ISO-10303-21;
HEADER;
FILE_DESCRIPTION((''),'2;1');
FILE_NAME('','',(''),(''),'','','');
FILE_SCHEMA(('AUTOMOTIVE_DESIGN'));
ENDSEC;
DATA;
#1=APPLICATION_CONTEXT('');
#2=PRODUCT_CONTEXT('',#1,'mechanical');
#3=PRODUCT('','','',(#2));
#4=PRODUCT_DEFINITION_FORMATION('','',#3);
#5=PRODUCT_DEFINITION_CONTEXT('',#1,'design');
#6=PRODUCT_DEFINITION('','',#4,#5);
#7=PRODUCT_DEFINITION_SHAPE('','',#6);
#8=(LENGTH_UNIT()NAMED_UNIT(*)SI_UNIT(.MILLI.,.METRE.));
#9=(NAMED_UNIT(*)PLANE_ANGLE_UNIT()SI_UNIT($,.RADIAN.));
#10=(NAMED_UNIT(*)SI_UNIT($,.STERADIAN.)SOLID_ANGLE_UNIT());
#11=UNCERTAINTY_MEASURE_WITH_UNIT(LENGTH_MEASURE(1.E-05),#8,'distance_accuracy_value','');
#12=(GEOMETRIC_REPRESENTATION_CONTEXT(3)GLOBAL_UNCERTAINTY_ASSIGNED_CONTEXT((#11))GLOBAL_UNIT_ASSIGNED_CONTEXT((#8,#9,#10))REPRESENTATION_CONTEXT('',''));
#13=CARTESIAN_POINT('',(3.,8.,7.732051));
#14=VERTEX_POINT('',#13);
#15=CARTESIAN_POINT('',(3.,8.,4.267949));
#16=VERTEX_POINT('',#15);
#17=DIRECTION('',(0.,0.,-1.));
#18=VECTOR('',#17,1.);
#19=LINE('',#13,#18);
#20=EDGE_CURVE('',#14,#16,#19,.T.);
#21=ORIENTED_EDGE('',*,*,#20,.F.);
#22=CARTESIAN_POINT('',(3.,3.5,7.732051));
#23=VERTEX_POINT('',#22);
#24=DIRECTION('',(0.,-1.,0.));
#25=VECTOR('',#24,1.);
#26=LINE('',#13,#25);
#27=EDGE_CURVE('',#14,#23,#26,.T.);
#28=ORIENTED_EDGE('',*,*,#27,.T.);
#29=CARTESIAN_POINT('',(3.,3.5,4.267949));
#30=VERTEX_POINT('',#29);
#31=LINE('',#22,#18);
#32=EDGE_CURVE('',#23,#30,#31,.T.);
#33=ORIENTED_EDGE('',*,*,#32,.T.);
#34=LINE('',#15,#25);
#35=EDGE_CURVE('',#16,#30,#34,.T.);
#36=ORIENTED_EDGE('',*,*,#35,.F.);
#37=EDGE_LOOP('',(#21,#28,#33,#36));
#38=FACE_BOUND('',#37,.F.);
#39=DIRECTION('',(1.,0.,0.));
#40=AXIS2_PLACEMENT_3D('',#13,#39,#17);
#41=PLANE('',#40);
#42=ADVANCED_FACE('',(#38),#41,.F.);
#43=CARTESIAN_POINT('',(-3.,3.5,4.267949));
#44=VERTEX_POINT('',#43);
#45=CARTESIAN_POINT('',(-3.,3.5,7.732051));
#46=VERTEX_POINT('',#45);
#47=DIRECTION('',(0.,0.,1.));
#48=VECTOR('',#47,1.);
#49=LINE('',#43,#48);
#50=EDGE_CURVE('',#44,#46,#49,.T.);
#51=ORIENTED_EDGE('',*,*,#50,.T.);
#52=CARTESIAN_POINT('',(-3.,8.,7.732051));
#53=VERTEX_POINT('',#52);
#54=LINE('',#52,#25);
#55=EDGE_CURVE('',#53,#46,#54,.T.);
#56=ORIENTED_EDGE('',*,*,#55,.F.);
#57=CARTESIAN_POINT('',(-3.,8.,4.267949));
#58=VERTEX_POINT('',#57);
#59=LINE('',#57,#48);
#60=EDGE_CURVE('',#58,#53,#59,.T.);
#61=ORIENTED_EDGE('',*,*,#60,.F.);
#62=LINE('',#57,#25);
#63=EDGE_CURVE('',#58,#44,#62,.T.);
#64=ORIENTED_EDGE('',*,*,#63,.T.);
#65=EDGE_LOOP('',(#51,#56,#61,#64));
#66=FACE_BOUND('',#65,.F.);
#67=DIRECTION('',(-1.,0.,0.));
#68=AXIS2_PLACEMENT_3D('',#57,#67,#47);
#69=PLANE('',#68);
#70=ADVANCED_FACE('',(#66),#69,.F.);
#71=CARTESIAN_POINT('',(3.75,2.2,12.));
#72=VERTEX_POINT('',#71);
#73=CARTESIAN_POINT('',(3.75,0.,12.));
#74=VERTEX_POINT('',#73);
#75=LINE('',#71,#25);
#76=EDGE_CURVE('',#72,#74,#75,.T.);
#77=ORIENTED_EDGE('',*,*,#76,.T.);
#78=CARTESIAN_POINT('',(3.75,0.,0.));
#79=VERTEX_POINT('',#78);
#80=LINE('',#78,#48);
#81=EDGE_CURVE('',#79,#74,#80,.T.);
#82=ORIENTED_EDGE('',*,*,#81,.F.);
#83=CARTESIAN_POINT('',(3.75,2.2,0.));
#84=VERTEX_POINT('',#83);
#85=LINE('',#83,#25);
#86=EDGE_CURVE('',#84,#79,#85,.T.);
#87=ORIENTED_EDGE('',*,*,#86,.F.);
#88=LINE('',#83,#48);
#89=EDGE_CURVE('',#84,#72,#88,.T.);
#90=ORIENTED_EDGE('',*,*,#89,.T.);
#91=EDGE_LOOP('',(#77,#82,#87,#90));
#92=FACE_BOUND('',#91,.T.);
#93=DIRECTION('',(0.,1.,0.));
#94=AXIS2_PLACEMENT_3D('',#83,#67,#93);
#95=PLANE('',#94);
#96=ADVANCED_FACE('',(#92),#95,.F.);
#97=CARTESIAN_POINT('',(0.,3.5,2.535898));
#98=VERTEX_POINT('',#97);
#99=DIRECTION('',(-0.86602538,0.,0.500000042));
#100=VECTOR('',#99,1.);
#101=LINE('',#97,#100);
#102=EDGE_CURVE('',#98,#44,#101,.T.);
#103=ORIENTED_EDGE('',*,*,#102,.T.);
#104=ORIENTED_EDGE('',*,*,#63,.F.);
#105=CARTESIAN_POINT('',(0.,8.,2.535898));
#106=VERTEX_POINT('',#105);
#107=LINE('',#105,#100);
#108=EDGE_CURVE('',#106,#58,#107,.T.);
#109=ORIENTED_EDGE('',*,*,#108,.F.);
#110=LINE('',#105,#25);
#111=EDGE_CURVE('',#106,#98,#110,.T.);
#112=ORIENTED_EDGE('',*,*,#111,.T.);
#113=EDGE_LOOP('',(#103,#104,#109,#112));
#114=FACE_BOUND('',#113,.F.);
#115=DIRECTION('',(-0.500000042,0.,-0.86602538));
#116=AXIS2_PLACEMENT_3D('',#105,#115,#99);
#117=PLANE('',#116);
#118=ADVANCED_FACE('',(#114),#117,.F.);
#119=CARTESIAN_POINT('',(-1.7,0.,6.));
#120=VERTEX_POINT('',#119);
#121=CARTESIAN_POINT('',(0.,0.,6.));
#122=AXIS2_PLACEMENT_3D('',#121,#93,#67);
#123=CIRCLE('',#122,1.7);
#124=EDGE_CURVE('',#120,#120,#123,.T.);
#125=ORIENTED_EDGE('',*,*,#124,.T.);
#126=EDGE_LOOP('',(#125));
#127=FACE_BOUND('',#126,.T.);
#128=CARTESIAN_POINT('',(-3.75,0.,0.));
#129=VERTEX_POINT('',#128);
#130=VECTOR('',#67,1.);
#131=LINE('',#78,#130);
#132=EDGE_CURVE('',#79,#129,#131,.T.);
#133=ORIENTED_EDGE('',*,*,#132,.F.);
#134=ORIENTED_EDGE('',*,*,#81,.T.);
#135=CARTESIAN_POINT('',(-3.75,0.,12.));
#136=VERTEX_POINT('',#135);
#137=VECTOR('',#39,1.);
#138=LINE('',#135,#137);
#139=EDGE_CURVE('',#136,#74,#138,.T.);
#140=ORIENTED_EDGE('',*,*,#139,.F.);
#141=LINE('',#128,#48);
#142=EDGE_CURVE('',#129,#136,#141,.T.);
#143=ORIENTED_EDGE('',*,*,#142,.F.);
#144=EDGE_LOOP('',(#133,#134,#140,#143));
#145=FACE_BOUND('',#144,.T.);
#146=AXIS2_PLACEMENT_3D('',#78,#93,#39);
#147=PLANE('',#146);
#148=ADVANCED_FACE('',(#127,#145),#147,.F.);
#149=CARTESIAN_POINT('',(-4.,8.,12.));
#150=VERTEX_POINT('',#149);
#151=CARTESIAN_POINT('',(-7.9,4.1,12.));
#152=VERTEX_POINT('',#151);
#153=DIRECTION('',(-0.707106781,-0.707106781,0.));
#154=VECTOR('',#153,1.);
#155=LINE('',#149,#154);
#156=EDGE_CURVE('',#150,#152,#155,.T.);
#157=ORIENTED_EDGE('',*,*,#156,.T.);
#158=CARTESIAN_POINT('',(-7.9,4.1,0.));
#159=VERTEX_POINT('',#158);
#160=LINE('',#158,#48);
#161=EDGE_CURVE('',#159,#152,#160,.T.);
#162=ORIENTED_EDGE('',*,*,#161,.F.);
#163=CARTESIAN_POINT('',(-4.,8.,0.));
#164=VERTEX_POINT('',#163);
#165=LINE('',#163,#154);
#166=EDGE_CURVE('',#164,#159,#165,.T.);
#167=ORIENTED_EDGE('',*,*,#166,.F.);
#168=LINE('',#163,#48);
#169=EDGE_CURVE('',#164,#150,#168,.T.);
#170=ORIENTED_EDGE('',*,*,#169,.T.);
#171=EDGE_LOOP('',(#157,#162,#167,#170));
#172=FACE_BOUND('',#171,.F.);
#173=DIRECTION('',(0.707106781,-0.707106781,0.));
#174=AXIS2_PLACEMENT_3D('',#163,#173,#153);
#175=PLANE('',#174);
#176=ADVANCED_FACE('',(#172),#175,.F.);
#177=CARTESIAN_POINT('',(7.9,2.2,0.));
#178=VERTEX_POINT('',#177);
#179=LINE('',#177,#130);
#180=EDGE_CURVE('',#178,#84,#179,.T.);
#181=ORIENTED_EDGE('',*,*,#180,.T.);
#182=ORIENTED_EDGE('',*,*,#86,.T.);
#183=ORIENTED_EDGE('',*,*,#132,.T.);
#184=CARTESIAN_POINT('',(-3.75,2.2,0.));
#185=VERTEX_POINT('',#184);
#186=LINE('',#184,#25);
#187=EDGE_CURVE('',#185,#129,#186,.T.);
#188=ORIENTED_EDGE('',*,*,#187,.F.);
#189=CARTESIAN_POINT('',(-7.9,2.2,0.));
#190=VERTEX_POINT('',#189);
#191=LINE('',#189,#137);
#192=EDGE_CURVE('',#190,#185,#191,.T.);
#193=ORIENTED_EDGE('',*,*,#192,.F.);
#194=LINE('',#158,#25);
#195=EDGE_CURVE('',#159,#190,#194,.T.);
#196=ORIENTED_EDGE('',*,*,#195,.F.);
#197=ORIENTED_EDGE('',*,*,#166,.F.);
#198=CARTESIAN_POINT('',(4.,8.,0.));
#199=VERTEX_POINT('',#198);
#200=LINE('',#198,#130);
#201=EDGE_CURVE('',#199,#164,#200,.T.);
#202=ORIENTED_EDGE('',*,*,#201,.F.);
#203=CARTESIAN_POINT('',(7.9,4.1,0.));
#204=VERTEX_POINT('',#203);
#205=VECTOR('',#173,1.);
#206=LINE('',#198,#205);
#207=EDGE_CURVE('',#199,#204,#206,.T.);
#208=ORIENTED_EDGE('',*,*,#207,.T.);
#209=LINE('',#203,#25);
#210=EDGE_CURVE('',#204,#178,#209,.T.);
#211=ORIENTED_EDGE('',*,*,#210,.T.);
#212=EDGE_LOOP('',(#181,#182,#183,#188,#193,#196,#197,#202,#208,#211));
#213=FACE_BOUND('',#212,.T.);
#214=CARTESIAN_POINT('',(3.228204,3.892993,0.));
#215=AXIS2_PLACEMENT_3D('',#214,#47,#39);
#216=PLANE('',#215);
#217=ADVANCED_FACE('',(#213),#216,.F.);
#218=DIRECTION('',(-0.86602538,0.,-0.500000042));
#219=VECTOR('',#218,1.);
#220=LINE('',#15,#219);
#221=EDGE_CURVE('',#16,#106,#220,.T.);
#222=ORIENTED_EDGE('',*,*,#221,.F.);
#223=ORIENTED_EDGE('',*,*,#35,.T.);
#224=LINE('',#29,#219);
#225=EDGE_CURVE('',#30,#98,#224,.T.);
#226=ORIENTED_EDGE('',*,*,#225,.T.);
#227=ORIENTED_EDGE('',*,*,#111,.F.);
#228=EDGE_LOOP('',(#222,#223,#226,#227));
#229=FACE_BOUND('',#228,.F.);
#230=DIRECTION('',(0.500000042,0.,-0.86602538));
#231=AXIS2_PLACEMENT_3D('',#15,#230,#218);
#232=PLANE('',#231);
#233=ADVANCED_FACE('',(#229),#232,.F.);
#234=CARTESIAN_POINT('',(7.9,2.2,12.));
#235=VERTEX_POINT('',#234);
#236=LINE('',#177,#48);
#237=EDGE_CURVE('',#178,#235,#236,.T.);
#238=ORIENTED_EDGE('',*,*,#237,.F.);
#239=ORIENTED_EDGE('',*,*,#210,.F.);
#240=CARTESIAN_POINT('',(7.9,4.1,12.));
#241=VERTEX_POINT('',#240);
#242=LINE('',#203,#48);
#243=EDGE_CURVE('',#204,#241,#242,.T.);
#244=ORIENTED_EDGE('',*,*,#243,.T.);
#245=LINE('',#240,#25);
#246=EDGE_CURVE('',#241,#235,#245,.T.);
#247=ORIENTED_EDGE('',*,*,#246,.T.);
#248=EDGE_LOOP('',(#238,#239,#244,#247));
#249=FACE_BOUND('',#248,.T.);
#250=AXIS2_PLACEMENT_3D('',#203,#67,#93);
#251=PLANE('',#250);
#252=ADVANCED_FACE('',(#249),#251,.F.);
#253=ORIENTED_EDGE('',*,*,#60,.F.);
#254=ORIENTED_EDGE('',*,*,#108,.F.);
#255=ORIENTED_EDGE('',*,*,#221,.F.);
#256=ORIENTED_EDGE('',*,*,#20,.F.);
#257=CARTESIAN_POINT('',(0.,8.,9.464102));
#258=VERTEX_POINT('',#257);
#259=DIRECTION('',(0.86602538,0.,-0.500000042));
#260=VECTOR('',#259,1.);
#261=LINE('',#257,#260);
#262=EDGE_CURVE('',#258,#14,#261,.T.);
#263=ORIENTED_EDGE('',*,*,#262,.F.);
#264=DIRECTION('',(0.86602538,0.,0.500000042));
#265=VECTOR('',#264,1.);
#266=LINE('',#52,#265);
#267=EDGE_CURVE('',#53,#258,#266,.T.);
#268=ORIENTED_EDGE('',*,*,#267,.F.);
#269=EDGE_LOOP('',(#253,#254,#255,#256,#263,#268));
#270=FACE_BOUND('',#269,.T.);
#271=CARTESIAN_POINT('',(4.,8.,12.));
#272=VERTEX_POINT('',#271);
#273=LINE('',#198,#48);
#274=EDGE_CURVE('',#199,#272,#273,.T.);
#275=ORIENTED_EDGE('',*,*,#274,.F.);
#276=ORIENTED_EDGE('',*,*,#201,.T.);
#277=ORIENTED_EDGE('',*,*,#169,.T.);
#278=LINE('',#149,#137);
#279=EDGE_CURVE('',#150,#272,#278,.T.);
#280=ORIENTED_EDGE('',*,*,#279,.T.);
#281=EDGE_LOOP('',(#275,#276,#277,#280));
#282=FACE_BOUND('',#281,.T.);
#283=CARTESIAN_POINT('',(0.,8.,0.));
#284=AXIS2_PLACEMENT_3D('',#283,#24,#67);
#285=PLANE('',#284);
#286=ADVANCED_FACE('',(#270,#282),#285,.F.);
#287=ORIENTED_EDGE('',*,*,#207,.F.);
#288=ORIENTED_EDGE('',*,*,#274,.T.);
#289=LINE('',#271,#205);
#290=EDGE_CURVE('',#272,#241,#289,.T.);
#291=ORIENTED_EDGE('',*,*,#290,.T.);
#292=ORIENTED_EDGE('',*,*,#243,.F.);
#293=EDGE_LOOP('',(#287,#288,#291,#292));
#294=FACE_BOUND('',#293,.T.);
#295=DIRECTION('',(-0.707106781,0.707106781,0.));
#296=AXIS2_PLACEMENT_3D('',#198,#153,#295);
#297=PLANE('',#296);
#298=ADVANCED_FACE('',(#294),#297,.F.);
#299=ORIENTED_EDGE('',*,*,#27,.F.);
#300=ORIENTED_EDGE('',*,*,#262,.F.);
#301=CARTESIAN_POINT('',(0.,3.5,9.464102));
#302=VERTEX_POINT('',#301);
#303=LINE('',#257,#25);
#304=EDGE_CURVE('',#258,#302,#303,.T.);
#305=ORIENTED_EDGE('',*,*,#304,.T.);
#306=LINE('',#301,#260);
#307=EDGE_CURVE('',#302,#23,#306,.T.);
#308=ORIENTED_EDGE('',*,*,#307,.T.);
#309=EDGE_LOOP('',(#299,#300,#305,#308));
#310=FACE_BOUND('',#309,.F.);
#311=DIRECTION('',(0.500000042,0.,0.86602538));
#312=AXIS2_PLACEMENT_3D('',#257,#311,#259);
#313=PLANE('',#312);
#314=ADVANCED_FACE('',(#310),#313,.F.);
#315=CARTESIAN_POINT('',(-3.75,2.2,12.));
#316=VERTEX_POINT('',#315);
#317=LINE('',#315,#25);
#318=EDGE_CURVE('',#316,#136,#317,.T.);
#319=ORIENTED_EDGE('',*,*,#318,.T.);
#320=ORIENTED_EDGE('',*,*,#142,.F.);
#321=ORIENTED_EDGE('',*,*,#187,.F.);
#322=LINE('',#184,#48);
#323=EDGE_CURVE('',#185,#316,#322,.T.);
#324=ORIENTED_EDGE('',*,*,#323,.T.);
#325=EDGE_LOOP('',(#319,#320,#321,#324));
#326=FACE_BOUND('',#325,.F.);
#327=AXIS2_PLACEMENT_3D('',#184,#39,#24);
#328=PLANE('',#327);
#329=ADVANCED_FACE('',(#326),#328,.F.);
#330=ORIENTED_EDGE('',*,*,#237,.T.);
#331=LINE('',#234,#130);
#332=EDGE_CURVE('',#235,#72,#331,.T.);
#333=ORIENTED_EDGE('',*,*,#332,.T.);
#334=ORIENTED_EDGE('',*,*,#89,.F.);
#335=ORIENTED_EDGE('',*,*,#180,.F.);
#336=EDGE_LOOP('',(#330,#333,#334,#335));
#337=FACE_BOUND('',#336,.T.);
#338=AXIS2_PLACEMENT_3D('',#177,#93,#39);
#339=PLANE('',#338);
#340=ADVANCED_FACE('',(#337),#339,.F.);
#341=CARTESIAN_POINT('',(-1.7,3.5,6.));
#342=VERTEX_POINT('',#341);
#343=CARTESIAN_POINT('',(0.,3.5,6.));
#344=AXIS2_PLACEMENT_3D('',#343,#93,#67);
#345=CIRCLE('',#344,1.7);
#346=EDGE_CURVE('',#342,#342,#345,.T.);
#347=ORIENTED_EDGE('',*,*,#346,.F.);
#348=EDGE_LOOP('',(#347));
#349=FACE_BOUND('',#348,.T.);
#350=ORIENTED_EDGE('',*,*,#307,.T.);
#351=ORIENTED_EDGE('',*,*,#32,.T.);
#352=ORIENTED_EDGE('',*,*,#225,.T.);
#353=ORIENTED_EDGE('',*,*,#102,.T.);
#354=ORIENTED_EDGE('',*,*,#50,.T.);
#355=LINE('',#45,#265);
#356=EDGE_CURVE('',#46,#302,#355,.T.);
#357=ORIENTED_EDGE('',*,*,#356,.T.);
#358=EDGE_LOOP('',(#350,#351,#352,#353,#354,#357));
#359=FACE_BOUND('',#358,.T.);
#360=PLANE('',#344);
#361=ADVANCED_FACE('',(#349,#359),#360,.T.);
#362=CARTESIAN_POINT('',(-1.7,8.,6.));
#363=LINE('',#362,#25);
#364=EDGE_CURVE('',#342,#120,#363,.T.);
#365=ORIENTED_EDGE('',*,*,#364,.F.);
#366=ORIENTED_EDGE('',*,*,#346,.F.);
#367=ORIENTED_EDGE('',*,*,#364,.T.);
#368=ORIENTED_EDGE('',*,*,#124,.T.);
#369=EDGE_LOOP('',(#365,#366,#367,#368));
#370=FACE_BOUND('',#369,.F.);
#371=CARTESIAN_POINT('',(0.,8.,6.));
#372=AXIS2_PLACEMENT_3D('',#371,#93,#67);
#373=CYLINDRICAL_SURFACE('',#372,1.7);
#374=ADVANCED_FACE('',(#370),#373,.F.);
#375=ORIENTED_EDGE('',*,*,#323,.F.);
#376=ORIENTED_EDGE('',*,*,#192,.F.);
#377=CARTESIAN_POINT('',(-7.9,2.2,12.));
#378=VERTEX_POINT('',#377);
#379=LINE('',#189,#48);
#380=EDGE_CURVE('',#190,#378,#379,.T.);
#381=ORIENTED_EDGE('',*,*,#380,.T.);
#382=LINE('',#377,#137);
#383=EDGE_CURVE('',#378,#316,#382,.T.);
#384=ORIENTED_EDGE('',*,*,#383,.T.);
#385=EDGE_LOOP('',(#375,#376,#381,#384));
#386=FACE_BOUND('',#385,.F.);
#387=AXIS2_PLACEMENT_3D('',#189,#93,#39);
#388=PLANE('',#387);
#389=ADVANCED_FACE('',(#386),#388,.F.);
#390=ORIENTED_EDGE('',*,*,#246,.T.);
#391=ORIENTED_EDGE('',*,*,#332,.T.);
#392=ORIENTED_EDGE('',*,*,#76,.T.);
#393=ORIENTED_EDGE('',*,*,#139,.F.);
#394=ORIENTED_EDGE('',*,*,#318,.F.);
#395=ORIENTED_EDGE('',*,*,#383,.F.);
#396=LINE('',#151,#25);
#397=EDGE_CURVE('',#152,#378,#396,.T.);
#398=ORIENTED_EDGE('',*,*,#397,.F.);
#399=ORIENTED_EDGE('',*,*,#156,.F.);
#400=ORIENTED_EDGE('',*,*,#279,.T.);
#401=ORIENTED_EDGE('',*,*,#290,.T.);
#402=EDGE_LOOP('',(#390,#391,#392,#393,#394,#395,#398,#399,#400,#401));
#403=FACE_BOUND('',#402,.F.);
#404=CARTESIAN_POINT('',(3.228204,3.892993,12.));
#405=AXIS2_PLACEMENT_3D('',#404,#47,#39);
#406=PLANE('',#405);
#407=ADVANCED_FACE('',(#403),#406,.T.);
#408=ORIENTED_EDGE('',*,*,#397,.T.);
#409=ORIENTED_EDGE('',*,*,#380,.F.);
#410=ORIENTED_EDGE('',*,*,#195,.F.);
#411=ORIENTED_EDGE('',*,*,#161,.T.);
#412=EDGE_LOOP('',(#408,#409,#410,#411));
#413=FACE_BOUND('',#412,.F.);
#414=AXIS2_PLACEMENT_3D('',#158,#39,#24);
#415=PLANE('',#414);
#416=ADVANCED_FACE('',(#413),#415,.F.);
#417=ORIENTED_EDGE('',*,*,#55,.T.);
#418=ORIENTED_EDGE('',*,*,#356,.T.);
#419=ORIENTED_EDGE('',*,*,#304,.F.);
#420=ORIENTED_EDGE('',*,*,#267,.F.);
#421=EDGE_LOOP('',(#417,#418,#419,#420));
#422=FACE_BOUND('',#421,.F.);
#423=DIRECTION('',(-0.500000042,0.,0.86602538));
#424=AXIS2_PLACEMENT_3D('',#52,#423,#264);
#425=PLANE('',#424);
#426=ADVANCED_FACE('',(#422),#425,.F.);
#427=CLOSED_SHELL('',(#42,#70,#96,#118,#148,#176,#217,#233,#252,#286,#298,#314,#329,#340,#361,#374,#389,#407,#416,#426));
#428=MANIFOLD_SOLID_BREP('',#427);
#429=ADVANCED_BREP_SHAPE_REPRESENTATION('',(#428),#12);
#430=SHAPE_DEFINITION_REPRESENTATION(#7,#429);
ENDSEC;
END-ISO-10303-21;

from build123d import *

# Parameters (mm, degrees)
PAD005_DEPTH    = 12
POCKET003_DEPTH = 4.5
SKETCH012_R     = 1.7
HOLE003_DEPTH   = 25


with BuildPart() as part:
    # Sketch010 → Pad005 (new body)
    with BuildSketch(Plane.XY):
        Polygon((0, 0), (0, 8), (-4, 8), (-7.9, 4.1), (-7.9, 2.2), (-3.75, 2.2), (-3.75, 0), align=None)
    pad005 = extrude(amount=PAD005_DEPTH)

    # Mirrored003: Pad005 across Sketch010 V_Axis
    add(pad005.mirror(Plane(origin=(0, 0, 0), x_dir=(0, 0, 1), z_dir=(1, 0, 0))))

    # Sketch011 (on DatumPlane) → Pocket003 (cut)
    with BuildSketch(Plane(origin=(0, 8, 0), x_dir=(-1, 0, 0), z_dir=(0, 1, 0))):
        Polygon((0, 2.535898), (3, 4.267949), (3, 7.732051), (0, 9.464102), (-3, 7.732051), (-3, 4.267949), align=None)
    extrude(amount=-POCKET003_DEPTH, mode=Mode.SUBTRACT)

    # Sketch012 (on DatumPlane) → Hole003 (cut)
    with BuildSketch(Plane(origin=(0, 8, 0), x_dir=(-1, 0, 0), z_dir=(0, 1, 0))):
        with Locations((0, 6)):
            Circle(SKETCH012_R)
    extrude(amount=-HOLE003_DEPTH, mode=Mode.SUBTRACT)


solid = part.part
